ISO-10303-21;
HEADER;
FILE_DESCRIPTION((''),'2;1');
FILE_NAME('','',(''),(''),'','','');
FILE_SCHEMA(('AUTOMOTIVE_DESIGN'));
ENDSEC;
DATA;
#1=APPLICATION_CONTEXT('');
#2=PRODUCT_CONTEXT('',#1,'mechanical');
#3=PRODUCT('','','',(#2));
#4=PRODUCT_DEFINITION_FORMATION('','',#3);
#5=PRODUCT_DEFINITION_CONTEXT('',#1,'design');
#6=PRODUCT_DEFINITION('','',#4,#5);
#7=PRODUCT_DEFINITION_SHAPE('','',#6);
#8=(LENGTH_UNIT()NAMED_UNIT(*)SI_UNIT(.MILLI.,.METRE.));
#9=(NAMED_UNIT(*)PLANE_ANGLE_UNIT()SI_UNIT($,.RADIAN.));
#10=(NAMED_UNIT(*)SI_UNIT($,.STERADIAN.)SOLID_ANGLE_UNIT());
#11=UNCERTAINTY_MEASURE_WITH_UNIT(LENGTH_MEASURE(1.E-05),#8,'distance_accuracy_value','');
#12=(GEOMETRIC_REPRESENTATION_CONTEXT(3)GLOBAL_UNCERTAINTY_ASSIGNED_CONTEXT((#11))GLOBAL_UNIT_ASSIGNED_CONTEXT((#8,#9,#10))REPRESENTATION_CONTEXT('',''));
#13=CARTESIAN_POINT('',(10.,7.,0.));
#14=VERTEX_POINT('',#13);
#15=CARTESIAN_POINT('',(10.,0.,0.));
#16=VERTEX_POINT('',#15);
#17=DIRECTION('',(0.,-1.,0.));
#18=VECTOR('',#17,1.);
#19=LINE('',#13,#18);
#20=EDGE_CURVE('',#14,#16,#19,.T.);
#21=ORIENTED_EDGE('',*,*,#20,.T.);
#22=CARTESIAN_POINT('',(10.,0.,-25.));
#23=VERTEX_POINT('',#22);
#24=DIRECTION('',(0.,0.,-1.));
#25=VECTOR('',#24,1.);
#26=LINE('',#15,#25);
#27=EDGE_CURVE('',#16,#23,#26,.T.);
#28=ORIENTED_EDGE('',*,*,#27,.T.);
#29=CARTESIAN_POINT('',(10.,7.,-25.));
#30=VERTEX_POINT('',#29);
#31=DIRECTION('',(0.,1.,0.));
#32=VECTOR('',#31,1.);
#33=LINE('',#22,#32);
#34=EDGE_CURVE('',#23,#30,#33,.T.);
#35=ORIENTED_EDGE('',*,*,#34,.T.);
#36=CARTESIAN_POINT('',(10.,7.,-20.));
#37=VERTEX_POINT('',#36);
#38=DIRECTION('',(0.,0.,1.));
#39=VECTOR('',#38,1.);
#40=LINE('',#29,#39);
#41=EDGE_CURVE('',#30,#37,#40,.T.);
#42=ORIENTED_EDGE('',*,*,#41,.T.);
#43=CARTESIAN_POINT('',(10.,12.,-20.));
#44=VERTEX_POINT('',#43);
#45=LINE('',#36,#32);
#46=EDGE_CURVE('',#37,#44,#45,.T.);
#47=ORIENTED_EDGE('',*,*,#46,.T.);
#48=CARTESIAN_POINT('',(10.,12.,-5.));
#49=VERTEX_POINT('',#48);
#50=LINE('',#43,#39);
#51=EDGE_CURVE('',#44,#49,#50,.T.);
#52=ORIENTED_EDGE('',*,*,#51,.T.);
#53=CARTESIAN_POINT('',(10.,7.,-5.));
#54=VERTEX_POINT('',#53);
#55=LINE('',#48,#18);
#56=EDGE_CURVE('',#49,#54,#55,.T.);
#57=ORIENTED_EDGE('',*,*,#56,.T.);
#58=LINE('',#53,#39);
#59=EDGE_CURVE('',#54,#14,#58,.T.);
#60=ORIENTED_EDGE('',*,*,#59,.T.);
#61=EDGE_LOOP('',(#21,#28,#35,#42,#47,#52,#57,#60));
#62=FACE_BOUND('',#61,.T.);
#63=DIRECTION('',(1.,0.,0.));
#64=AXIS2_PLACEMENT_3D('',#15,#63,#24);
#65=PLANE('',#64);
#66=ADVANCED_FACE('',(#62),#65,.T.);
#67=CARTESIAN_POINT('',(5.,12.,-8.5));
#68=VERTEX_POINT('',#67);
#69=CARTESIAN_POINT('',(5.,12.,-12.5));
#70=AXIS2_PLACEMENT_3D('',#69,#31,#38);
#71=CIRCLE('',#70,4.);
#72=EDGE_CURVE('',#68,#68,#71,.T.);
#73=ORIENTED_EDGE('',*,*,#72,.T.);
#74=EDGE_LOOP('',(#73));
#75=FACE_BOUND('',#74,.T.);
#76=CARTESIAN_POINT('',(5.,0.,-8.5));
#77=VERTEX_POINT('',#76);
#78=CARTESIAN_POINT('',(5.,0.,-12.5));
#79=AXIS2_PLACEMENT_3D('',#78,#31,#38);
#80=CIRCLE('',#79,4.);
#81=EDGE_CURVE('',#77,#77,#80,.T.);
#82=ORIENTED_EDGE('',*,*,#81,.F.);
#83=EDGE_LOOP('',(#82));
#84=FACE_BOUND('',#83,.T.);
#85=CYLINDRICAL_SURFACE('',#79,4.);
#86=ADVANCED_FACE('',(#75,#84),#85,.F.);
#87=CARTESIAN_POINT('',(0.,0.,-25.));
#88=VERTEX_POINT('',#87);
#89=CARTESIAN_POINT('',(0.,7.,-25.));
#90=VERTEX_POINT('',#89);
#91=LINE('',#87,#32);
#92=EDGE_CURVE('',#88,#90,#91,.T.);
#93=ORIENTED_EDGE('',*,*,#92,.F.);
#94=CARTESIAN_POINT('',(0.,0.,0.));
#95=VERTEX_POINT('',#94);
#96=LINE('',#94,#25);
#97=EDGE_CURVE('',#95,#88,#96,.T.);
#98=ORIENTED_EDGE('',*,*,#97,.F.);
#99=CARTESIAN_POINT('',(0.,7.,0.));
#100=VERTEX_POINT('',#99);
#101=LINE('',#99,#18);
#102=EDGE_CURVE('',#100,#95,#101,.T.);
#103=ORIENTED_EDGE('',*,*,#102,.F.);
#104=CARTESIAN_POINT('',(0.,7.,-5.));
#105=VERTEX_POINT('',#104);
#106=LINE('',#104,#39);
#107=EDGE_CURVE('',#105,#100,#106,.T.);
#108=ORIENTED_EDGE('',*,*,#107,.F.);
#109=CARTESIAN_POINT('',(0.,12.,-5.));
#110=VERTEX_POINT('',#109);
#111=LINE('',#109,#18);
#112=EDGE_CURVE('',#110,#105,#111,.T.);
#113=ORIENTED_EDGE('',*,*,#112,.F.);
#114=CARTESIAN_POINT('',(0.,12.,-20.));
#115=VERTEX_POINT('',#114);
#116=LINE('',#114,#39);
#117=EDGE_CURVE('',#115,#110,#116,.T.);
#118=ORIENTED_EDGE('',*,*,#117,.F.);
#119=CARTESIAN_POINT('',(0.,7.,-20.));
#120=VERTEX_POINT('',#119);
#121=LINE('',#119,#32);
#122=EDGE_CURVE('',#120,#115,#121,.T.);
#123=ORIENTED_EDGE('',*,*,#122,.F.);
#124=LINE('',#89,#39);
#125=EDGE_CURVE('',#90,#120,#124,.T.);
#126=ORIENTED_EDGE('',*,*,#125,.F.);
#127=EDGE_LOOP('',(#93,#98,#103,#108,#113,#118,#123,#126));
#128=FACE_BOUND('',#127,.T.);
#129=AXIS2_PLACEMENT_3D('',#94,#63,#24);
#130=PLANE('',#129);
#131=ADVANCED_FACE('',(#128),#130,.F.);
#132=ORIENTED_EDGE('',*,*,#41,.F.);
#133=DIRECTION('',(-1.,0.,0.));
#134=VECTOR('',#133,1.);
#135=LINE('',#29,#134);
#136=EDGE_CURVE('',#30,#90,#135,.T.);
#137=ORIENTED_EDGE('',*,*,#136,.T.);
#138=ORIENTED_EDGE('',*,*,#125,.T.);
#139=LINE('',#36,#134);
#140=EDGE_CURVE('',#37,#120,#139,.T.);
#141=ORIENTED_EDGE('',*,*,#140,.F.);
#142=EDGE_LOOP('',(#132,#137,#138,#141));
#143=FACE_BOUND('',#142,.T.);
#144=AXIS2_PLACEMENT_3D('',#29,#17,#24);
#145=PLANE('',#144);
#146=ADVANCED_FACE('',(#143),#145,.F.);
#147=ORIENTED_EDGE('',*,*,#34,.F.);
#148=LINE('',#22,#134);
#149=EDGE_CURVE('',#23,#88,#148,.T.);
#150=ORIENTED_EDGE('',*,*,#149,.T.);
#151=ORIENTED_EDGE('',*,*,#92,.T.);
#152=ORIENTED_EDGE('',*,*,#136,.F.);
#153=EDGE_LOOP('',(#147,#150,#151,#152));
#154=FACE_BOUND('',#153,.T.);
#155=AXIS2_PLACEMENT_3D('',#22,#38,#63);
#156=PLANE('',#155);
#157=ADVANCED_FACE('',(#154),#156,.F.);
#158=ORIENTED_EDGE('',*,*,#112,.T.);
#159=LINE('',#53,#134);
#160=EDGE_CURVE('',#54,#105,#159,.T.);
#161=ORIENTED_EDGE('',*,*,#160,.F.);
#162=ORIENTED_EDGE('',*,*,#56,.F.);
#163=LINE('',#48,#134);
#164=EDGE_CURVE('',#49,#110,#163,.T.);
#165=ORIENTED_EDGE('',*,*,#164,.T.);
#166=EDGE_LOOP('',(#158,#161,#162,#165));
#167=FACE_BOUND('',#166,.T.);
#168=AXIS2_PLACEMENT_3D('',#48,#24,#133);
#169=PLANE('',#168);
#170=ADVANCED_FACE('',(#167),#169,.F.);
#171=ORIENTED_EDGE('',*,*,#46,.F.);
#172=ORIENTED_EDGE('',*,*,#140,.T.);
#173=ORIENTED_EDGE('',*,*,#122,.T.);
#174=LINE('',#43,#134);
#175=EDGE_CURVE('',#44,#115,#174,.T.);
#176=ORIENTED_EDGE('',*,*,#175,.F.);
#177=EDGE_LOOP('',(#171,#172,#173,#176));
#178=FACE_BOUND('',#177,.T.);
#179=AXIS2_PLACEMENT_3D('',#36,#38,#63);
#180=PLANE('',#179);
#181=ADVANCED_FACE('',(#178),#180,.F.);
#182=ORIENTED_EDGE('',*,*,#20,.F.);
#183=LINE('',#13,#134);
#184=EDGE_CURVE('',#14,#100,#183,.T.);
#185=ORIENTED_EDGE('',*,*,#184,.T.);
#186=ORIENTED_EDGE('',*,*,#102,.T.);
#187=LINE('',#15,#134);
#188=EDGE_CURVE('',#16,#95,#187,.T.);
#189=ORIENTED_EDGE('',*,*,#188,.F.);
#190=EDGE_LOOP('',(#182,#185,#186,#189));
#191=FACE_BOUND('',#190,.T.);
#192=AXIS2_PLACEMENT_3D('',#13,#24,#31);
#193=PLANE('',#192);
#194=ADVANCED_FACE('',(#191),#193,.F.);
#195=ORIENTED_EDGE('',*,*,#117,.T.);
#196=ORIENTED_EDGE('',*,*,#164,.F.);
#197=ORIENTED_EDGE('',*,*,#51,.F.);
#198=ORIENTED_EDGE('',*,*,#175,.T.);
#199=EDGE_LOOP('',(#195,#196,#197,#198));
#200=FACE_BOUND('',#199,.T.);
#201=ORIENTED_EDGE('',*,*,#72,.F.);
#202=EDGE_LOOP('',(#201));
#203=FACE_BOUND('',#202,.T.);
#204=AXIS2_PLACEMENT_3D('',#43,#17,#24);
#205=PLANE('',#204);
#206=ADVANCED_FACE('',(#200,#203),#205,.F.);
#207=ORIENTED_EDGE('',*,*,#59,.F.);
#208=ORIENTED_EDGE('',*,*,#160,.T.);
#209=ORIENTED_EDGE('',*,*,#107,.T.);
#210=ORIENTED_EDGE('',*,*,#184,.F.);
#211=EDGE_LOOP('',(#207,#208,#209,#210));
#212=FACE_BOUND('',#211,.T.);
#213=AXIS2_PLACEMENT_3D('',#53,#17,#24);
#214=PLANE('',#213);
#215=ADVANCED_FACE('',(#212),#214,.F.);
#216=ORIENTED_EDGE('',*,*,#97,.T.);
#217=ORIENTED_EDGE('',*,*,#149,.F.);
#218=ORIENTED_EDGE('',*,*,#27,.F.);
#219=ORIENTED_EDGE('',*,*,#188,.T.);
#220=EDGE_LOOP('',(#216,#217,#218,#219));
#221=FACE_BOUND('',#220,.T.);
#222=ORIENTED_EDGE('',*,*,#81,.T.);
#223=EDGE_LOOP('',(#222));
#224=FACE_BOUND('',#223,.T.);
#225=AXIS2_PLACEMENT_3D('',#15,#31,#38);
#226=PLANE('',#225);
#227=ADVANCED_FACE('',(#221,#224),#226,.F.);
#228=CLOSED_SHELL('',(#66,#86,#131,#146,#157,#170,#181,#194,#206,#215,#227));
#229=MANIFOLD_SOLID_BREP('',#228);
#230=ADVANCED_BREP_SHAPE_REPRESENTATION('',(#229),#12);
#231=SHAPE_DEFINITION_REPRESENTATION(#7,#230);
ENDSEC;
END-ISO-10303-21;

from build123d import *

# Parameters (mm, degrees)
RESSALTO_EXTRUS_O1_DEPTH = 10
ESBO_O6_R                = 4
CORTE_EXTRUS_O2_DEPTH    = 30.478805946


with BuildPart() as part:
    # Esboço2 → Ressalto-extrusão1 (new body)
    with BuildSketch(Plane(origin=(0, 0, 0), x_dir=(0, 0, -1), z_dir=(1, 0, 0))):
        Polygon((0, 0), (25, 0), (25, 7), (20, 7), (20, 12), (5, 12), (5, 7), (0, 7), align=None)
    extrude(amount=RESSALTO_EXTRUS_O1_DEPTH)

    # Esboço6 → Corte-extrusão2 (cut, through all)
    with BuildSketch(Plane(origin=(0, 12, 0), x_dir=(1, 0, 0), z_dir=(0, 1, 0))):
        with Locations(Location((5, 12.5, 0), (0, 0, 270))):
            Circle(ESBO_O6_R)
    extrude(amount=-CORTE_EXTRUS_O2_DEPTH, mode=Mode.SUBTRACT)


solid = part.part
